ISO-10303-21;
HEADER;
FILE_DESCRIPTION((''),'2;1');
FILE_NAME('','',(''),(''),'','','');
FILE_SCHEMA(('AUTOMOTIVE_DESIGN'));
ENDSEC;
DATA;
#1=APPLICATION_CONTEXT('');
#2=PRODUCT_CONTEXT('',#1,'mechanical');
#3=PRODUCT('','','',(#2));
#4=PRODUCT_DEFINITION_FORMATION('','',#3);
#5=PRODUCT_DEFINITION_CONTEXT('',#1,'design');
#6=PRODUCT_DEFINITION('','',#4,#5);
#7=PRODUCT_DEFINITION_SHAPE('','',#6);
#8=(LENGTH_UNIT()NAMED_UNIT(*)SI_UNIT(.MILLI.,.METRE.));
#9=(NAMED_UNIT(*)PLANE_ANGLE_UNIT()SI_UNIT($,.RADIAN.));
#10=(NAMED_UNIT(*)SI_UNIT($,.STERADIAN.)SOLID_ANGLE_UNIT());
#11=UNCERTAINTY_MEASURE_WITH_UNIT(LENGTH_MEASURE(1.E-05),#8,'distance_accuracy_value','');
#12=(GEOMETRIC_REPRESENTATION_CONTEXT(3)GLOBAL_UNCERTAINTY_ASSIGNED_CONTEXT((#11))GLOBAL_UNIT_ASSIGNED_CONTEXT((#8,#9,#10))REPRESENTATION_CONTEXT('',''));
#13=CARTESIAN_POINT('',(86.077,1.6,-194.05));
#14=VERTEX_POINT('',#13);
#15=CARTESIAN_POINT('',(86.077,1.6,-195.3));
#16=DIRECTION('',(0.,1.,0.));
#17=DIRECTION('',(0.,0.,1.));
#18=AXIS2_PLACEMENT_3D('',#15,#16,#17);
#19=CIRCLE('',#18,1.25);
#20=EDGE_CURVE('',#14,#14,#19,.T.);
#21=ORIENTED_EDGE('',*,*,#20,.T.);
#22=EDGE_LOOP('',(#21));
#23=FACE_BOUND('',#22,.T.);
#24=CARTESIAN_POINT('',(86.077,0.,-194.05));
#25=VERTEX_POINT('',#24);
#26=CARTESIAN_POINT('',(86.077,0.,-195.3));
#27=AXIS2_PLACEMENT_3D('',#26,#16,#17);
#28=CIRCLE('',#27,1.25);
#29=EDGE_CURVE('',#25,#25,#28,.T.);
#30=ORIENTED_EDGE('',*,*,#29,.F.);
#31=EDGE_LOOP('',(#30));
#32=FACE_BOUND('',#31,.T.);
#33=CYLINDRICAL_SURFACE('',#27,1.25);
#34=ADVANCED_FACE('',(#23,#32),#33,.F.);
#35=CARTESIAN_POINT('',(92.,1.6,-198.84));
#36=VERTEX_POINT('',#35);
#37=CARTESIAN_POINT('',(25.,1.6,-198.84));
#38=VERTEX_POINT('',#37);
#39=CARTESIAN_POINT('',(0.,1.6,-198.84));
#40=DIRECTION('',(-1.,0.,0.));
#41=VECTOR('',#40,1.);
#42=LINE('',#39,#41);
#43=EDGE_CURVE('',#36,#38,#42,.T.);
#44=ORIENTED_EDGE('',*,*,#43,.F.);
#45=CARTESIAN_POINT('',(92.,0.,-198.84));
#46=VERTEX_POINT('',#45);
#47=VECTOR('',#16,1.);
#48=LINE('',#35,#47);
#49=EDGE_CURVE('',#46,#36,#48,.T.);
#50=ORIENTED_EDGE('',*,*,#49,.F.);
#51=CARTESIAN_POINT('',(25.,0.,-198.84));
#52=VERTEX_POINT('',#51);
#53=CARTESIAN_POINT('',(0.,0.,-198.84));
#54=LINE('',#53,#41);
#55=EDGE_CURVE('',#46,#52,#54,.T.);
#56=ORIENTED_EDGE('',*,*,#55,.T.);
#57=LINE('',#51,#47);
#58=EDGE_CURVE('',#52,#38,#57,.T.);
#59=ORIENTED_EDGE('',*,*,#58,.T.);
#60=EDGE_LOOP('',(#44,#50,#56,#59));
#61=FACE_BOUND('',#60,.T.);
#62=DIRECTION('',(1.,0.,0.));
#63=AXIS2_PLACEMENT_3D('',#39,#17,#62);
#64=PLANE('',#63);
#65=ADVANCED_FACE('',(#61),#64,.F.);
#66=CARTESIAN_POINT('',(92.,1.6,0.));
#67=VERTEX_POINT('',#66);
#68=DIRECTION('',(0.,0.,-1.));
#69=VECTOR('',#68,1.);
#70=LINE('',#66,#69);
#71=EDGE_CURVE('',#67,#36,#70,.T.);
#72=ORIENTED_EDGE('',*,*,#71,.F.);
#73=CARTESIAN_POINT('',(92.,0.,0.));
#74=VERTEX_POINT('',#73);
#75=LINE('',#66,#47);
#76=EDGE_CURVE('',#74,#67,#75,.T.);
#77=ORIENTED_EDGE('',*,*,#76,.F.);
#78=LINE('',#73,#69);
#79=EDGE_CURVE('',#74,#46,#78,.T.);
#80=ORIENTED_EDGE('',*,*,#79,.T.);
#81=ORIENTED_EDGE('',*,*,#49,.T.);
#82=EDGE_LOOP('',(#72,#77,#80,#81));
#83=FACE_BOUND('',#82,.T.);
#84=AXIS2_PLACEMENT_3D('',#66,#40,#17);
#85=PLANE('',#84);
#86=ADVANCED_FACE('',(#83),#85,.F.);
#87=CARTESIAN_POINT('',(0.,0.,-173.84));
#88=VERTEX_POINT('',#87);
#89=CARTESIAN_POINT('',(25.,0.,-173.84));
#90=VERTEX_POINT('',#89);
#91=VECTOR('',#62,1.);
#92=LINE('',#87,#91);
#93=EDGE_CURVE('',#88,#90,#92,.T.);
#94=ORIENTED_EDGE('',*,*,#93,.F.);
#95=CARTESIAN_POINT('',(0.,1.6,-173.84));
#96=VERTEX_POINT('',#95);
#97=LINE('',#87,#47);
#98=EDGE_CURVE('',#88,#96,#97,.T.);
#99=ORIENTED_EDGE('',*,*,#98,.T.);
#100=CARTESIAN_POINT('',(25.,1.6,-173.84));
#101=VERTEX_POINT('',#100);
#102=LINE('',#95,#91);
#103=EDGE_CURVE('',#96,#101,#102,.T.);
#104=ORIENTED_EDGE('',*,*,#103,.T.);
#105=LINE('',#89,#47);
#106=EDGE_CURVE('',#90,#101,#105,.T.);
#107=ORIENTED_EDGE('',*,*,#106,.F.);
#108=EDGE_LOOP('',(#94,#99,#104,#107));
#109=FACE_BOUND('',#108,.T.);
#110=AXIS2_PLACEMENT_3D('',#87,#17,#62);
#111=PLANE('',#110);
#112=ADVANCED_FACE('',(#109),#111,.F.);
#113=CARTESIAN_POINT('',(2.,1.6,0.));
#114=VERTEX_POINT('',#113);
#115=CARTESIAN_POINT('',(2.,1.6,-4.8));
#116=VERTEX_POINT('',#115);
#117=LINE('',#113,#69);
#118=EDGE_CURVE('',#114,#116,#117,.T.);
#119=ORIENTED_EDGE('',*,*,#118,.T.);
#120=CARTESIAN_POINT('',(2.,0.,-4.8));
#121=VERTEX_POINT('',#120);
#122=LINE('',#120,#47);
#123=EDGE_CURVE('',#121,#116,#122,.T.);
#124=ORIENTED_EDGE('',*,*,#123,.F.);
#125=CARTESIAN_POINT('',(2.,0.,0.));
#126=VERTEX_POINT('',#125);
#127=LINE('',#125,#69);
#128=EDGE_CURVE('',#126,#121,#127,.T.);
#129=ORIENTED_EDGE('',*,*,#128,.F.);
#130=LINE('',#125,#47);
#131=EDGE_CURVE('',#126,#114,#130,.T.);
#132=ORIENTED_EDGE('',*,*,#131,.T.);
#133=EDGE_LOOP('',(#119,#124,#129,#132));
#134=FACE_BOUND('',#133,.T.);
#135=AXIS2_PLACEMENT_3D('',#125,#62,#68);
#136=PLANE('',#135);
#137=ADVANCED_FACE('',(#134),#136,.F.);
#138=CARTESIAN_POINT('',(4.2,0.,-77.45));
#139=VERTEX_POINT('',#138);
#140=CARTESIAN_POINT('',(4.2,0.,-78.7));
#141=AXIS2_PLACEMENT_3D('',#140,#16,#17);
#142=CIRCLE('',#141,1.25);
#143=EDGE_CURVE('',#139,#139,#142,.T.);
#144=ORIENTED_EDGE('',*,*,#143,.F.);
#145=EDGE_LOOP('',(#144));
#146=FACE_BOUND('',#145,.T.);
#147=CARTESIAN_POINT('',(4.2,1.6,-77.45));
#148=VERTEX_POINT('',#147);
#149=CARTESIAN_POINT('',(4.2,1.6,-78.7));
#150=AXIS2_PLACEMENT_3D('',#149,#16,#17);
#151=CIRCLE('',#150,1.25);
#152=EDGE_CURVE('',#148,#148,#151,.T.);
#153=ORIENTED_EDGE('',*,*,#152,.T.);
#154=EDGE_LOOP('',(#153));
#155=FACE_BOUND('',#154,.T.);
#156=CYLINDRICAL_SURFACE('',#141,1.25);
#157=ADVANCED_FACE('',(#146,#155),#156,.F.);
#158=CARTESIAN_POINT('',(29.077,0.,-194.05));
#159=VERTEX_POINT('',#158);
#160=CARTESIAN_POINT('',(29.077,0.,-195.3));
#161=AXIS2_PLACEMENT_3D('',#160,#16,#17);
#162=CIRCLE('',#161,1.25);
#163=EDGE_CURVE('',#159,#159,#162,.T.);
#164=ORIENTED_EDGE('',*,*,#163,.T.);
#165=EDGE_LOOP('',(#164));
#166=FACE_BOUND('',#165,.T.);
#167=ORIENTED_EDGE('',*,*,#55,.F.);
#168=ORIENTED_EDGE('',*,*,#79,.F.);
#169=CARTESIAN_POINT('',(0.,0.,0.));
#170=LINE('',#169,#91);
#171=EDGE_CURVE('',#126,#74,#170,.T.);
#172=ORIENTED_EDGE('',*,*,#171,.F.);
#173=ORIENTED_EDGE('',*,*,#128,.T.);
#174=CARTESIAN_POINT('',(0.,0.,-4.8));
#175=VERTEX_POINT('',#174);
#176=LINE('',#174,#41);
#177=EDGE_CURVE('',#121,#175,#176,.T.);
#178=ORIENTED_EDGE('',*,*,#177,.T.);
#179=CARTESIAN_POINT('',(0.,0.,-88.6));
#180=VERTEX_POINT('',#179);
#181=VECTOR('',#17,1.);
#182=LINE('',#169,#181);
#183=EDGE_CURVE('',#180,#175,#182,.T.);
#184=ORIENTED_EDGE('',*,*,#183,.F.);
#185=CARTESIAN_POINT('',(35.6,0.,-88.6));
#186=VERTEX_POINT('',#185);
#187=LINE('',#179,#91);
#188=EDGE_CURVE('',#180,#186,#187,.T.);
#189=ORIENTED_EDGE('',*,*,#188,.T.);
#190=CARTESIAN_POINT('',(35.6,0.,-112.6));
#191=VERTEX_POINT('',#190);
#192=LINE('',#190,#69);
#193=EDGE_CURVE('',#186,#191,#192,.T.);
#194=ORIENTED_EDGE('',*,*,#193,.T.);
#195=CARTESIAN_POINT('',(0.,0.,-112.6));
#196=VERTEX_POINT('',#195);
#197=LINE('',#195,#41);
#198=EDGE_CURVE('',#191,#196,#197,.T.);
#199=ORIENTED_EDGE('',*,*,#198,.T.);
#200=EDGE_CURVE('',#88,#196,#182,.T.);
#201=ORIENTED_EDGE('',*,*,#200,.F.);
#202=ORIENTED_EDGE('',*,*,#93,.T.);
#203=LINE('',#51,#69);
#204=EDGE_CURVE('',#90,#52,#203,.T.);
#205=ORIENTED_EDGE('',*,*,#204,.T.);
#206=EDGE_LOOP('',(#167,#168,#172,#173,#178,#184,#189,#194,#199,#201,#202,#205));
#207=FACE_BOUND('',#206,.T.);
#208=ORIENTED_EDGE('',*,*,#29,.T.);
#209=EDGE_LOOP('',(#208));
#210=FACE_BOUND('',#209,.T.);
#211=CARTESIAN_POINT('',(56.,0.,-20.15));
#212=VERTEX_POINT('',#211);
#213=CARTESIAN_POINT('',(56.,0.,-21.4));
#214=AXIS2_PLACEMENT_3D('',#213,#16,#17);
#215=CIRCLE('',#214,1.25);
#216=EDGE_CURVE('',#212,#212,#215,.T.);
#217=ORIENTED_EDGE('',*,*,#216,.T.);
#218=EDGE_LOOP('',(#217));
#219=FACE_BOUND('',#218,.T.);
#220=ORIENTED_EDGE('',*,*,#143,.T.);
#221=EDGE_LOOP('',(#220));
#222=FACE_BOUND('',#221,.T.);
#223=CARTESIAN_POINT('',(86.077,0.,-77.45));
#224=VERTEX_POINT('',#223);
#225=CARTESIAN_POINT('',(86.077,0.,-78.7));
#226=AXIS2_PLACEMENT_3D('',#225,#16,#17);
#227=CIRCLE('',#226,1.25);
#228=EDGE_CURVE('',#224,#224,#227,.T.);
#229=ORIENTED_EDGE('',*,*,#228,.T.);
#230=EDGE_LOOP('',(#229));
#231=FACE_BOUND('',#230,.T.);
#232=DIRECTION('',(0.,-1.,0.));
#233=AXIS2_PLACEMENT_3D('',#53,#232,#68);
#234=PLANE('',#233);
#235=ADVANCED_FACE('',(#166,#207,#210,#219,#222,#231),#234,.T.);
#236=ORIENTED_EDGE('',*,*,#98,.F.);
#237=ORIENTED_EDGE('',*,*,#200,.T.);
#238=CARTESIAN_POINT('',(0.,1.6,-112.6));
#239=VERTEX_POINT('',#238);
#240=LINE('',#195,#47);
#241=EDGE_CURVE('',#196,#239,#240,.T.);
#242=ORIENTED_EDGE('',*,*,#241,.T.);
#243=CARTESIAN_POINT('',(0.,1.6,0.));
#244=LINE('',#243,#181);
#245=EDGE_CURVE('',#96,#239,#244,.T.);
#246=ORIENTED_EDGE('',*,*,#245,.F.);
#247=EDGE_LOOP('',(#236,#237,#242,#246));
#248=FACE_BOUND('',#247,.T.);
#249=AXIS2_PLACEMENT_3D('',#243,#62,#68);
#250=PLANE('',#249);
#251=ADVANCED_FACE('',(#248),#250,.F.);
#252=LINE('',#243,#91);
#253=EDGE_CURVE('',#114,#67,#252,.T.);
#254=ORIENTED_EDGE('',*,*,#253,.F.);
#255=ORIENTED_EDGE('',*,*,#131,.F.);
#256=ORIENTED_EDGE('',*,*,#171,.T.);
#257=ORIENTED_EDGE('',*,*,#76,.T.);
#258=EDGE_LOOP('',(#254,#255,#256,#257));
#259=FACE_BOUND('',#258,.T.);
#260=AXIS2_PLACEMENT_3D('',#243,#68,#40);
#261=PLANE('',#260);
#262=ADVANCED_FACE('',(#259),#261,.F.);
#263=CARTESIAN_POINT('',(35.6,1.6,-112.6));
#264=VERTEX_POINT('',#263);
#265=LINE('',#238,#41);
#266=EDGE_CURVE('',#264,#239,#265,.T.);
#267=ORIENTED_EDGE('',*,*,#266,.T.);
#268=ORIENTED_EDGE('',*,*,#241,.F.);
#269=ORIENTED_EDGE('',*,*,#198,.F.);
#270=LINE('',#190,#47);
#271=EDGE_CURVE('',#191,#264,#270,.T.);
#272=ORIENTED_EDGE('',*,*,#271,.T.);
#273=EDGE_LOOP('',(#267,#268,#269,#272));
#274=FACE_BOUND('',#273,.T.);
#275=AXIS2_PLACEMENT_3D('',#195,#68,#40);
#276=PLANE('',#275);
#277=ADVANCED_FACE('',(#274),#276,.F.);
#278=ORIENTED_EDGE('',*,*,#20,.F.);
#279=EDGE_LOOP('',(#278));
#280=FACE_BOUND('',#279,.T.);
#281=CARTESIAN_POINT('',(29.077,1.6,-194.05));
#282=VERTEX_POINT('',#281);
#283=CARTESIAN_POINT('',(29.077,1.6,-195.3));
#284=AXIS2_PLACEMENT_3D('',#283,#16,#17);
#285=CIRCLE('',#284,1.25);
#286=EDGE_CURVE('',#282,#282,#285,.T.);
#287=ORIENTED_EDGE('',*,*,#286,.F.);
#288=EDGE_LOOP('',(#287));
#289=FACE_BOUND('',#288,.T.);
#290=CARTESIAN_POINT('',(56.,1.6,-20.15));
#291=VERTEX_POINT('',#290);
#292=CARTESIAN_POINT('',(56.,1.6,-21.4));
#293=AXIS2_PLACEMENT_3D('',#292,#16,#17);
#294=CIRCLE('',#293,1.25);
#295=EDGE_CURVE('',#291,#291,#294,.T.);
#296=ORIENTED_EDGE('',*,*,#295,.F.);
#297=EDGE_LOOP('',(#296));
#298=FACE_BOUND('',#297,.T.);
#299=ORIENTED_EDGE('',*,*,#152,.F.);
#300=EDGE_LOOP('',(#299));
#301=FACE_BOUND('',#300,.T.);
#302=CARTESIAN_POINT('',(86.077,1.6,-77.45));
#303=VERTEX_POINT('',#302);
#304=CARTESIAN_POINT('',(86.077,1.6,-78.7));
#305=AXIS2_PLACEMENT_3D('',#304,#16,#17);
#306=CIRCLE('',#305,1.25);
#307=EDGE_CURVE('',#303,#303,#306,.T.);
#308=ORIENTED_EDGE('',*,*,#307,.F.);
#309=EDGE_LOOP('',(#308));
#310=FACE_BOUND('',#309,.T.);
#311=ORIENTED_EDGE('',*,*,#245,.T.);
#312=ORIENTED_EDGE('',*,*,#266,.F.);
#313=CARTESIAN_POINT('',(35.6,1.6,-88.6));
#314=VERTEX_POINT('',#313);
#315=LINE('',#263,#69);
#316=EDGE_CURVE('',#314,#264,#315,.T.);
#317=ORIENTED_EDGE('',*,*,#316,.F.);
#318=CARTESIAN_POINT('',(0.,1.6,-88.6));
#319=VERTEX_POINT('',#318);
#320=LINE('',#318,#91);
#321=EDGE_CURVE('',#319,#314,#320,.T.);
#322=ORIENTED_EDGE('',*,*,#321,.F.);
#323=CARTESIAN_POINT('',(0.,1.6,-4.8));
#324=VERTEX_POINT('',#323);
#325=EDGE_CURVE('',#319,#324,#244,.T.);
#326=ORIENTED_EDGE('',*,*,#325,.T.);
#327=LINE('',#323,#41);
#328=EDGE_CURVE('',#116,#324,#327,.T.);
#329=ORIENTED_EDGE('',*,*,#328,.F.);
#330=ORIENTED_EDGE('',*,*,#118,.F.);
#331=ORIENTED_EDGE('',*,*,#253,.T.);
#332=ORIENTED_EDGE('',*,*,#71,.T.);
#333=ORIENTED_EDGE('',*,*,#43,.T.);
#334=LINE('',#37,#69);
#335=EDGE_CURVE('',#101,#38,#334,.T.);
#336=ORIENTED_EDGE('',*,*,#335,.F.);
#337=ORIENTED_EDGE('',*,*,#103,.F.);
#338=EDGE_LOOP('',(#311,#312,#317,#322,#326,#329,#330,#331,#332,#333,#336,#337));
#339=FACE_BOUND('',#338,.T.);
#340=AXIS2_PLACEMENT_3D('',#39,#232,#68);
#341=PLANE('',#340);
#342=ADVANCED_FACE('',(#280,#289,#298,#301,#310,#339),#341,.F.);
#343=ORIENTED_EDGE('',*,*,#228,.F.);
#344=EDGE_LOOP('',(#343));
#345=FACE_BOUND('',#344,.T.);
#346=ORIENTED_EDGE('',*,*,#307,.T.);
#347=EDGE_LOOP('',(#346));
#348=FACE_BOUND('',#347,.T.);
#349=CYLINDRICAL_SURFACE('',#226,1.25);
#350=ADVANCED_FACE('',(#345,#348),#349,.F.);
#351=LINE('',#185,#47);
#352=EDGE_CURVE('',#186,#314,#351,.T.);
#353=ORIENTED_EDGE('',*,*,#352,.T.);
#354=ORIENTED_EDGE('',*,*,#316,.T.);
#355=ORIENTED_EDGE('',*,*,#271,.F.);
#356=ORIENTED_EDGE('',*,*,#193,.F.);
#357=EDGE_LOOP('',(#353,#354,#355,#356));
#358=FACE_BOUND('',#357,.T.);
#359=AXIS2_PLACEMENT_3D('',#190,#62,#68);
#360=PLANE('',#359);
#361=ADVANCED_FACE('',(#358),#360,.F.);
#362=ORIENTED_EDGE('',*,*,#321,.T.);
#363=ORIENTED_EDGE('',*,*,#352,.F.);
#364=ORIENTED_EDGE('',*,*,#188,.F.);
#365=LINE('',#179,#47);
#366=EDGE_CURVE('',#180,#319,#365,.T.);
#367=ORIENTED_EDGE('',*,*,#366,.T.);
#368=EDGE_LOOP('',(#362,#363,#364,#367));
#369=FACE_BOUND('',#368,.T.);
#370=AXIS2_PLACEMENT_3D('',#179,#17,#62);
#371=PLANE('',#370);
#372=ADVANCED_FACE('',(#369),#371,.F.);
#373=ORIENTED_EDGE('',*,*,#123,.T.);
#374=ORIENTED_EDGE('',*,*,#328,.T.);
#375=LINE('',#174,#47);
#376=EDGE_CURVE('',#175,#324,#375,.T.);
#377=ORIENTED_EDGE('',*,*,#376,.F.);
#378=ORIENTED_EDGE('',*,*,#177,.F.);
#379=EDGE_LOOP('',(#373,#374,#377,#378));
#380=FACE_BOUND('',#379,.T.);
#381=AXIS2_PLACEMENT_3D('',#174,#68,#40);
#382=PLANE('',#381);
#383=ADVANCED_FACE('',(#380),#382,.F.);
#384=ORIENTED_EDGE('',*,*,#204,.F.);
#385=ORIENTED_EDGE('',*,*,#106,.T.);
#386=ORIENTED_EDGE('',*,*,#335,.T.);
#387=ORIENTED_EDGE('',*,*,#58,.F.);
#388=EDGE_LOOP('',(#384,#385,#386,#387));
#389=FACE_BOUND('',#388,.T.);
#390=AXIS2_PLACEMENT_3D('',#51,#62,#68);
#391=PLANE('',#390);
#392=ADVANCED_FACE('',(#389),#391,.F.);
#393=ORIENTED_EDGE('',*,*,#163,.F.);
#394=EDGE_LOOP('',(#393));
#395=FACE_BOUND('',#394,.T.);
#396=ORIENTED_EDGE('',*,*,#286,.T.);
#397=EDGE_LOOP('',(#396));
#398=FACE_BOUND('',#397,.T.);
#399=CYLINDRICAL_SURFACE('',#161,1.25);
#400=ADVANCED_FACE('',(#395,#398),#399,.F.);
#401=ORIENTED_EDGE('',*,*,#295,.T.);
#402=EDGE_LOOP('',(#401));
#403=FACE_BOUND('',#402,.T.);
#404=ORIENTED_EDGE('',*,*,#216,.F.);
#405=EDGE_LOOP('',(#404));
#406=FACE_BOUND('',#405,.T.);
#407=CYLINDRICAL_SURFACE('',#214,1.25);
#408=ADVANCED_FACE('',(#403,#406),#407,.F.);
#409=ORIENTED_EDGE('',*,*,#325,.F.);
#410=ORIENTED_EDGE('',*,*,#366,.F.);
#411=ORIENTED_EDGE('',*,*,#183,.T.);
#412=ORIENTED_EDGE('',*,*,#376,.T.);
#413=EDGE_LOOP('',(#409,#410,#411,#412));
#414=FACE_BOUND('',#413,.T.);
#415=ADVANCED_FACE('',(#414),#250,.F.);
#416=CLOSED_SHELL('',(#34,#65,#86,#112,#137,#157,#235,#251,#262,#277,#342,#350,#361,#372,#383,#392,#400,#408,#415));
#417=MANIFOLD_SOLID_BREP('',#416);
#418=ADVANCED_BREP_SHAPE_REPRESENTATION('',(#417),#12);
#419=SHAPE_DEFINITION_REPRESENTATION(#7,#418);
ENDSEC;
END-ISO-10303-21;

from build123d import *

# Parameters (mm, degrees)
SKETCH2_W          = 93
SKETCH2_H          = 198.84
EXTRUDE1_DEPTH     = 1.6
SKETCH3_W          = 2
SKETCH3_H          = 4.8
CUT_EXTRUDE1_DEPTH = 220.519715743
SKETCH4_W          = 35.6
SKETCH4_H          = 24
CUT_EXTRUDE2_DEPTH = 220.519715743
SKETCH6_W          = 25
SKETCH6_H          = 25
CUT_EXTRUDE3_DEPTH = 220.519715743
SKETCH7_R          = 1.25
CUT_EXTRUDE4_DEPTH = 220.519715743
SKETCH8_R          = 1.25
CUT_EXTRUDE5_DEPTH = 220.519715743
SKETCH10_W         = 1
SKETCH10_H         = 1.6
CUT_EXTRUDE6_DEPTH = 220.519715743


with BuildPart() as part:
    # Sketch2 → Extrude1 (new body)
    with BuildSketch(Plane(origin=(0, 0, 0), x_dir=(1, 0, 0), z_dir=(0, 1, 0))):
        with Locations((46.5, 99.42)):
            Rectangle(SKETCH2_W, SKETCH2_H)
    extrude(amount=EXTRUDE1_DEPTH)

    # Sketch3 → Cut-Extrude1 (cut, through all)
    with BuildSketch(Plane(origin=(0, 1.6, 0), x_dir=(-1, 0, 0), z_dir=(0, 1, 0))):
        with Locations((-1, -2.4)):
            Rectangle(SKETCH3_W, SKETCH3_H)
    extrude(amount=-CUT_EXTRUDE1_DEPTH, mode=Mode.SUBTRACT)

    # Sketch4 → Cut-Extrude2 (cut, through all)
    with BuildSketch(Plane(origin=(0, 1.6, 0), x_dir=(-1, 0, 0), z_dir=(0, 1, 0))):
        with Locations((-17.8, -100.6)):
            Rectangle(SKETCH4_W, SKETCH4_H)
    extrude(amount=-CUT_EXTRUDE2_DEPTH, mode=Mode.SUBTRACT)

    # Sketch6 → Cut-Extrude3 (cut, through all)
    with BuildSketch(Plane(origin=(0, 1.6, 0), x_dir=(-1, 0, 0), z_dir=(0, 1, 0))):
        with Locations((-12.5, -186.34)):
            Rectangle(SKETCH6_W, SKETCH6_H)
    extrude(amount=-CUT_EXTRUDE3_DEPTH, mode=Mode.SUBTRACT)

    # Sketch7 → Cut-Extrude4 (cut, through all)
    with BuildSketch(Plane(origin=(0, 1.6, 0), x_dir=(-1, 0, 0), z_dir=(0, 1, 0))):
        with Locations(Location((-29.077, -195.3, 0), (0, 0, 90))):
            Circle(SKETCH7_R)
        with Locations(Location((-86.077, -195.3, 0), (0, 0, 90))):
            Circle(SKETCH7_R)
        with Locations(Location((-4.2, -78.7, 0), (0, 0, 90))):
            Circle(SKETCH7_R)
        with Locations(Location((-86.077, -78.7, 0), (0, 0, 90))):
            Circle(SKETCH7_R)
    extrude(amount=-CUT_EXTRUDE4_DEPTH, mode=Mode.SUBTRACT)

    # Sketch8 → Cut-Extrude5 (cut, through all)
    with BuildSketch(Plane(origin=(0, 1.6, 0), x_dir=(-1, 0, 0), z_dir=(0, 1, 0))):
        with Locations(Location((-56, -21.4, 0), (0, 0, 90))):
            Circle(SKETCH8_R)
    extrude(amount=-CUT_EXTRUDE5_DEPTH, mode=Mode.SUBTRACT)

    # Sketch10 → Cut-Extrude6 (cut, through all)
    with BuildSketch(Plane(origin=(0, 0, -198.84), x_dir=(-1, 0, 0), z_dir=(0, 0, -1))):
        with Locations((-92.5, 0.8)):
            Rectangle(SKETCH10_W, SKETCH10_H)
    extrude(amount=-CUT_EXTRUDE6_DEPTH, mode=Mode.SUBTRACT)


solid = part.part
